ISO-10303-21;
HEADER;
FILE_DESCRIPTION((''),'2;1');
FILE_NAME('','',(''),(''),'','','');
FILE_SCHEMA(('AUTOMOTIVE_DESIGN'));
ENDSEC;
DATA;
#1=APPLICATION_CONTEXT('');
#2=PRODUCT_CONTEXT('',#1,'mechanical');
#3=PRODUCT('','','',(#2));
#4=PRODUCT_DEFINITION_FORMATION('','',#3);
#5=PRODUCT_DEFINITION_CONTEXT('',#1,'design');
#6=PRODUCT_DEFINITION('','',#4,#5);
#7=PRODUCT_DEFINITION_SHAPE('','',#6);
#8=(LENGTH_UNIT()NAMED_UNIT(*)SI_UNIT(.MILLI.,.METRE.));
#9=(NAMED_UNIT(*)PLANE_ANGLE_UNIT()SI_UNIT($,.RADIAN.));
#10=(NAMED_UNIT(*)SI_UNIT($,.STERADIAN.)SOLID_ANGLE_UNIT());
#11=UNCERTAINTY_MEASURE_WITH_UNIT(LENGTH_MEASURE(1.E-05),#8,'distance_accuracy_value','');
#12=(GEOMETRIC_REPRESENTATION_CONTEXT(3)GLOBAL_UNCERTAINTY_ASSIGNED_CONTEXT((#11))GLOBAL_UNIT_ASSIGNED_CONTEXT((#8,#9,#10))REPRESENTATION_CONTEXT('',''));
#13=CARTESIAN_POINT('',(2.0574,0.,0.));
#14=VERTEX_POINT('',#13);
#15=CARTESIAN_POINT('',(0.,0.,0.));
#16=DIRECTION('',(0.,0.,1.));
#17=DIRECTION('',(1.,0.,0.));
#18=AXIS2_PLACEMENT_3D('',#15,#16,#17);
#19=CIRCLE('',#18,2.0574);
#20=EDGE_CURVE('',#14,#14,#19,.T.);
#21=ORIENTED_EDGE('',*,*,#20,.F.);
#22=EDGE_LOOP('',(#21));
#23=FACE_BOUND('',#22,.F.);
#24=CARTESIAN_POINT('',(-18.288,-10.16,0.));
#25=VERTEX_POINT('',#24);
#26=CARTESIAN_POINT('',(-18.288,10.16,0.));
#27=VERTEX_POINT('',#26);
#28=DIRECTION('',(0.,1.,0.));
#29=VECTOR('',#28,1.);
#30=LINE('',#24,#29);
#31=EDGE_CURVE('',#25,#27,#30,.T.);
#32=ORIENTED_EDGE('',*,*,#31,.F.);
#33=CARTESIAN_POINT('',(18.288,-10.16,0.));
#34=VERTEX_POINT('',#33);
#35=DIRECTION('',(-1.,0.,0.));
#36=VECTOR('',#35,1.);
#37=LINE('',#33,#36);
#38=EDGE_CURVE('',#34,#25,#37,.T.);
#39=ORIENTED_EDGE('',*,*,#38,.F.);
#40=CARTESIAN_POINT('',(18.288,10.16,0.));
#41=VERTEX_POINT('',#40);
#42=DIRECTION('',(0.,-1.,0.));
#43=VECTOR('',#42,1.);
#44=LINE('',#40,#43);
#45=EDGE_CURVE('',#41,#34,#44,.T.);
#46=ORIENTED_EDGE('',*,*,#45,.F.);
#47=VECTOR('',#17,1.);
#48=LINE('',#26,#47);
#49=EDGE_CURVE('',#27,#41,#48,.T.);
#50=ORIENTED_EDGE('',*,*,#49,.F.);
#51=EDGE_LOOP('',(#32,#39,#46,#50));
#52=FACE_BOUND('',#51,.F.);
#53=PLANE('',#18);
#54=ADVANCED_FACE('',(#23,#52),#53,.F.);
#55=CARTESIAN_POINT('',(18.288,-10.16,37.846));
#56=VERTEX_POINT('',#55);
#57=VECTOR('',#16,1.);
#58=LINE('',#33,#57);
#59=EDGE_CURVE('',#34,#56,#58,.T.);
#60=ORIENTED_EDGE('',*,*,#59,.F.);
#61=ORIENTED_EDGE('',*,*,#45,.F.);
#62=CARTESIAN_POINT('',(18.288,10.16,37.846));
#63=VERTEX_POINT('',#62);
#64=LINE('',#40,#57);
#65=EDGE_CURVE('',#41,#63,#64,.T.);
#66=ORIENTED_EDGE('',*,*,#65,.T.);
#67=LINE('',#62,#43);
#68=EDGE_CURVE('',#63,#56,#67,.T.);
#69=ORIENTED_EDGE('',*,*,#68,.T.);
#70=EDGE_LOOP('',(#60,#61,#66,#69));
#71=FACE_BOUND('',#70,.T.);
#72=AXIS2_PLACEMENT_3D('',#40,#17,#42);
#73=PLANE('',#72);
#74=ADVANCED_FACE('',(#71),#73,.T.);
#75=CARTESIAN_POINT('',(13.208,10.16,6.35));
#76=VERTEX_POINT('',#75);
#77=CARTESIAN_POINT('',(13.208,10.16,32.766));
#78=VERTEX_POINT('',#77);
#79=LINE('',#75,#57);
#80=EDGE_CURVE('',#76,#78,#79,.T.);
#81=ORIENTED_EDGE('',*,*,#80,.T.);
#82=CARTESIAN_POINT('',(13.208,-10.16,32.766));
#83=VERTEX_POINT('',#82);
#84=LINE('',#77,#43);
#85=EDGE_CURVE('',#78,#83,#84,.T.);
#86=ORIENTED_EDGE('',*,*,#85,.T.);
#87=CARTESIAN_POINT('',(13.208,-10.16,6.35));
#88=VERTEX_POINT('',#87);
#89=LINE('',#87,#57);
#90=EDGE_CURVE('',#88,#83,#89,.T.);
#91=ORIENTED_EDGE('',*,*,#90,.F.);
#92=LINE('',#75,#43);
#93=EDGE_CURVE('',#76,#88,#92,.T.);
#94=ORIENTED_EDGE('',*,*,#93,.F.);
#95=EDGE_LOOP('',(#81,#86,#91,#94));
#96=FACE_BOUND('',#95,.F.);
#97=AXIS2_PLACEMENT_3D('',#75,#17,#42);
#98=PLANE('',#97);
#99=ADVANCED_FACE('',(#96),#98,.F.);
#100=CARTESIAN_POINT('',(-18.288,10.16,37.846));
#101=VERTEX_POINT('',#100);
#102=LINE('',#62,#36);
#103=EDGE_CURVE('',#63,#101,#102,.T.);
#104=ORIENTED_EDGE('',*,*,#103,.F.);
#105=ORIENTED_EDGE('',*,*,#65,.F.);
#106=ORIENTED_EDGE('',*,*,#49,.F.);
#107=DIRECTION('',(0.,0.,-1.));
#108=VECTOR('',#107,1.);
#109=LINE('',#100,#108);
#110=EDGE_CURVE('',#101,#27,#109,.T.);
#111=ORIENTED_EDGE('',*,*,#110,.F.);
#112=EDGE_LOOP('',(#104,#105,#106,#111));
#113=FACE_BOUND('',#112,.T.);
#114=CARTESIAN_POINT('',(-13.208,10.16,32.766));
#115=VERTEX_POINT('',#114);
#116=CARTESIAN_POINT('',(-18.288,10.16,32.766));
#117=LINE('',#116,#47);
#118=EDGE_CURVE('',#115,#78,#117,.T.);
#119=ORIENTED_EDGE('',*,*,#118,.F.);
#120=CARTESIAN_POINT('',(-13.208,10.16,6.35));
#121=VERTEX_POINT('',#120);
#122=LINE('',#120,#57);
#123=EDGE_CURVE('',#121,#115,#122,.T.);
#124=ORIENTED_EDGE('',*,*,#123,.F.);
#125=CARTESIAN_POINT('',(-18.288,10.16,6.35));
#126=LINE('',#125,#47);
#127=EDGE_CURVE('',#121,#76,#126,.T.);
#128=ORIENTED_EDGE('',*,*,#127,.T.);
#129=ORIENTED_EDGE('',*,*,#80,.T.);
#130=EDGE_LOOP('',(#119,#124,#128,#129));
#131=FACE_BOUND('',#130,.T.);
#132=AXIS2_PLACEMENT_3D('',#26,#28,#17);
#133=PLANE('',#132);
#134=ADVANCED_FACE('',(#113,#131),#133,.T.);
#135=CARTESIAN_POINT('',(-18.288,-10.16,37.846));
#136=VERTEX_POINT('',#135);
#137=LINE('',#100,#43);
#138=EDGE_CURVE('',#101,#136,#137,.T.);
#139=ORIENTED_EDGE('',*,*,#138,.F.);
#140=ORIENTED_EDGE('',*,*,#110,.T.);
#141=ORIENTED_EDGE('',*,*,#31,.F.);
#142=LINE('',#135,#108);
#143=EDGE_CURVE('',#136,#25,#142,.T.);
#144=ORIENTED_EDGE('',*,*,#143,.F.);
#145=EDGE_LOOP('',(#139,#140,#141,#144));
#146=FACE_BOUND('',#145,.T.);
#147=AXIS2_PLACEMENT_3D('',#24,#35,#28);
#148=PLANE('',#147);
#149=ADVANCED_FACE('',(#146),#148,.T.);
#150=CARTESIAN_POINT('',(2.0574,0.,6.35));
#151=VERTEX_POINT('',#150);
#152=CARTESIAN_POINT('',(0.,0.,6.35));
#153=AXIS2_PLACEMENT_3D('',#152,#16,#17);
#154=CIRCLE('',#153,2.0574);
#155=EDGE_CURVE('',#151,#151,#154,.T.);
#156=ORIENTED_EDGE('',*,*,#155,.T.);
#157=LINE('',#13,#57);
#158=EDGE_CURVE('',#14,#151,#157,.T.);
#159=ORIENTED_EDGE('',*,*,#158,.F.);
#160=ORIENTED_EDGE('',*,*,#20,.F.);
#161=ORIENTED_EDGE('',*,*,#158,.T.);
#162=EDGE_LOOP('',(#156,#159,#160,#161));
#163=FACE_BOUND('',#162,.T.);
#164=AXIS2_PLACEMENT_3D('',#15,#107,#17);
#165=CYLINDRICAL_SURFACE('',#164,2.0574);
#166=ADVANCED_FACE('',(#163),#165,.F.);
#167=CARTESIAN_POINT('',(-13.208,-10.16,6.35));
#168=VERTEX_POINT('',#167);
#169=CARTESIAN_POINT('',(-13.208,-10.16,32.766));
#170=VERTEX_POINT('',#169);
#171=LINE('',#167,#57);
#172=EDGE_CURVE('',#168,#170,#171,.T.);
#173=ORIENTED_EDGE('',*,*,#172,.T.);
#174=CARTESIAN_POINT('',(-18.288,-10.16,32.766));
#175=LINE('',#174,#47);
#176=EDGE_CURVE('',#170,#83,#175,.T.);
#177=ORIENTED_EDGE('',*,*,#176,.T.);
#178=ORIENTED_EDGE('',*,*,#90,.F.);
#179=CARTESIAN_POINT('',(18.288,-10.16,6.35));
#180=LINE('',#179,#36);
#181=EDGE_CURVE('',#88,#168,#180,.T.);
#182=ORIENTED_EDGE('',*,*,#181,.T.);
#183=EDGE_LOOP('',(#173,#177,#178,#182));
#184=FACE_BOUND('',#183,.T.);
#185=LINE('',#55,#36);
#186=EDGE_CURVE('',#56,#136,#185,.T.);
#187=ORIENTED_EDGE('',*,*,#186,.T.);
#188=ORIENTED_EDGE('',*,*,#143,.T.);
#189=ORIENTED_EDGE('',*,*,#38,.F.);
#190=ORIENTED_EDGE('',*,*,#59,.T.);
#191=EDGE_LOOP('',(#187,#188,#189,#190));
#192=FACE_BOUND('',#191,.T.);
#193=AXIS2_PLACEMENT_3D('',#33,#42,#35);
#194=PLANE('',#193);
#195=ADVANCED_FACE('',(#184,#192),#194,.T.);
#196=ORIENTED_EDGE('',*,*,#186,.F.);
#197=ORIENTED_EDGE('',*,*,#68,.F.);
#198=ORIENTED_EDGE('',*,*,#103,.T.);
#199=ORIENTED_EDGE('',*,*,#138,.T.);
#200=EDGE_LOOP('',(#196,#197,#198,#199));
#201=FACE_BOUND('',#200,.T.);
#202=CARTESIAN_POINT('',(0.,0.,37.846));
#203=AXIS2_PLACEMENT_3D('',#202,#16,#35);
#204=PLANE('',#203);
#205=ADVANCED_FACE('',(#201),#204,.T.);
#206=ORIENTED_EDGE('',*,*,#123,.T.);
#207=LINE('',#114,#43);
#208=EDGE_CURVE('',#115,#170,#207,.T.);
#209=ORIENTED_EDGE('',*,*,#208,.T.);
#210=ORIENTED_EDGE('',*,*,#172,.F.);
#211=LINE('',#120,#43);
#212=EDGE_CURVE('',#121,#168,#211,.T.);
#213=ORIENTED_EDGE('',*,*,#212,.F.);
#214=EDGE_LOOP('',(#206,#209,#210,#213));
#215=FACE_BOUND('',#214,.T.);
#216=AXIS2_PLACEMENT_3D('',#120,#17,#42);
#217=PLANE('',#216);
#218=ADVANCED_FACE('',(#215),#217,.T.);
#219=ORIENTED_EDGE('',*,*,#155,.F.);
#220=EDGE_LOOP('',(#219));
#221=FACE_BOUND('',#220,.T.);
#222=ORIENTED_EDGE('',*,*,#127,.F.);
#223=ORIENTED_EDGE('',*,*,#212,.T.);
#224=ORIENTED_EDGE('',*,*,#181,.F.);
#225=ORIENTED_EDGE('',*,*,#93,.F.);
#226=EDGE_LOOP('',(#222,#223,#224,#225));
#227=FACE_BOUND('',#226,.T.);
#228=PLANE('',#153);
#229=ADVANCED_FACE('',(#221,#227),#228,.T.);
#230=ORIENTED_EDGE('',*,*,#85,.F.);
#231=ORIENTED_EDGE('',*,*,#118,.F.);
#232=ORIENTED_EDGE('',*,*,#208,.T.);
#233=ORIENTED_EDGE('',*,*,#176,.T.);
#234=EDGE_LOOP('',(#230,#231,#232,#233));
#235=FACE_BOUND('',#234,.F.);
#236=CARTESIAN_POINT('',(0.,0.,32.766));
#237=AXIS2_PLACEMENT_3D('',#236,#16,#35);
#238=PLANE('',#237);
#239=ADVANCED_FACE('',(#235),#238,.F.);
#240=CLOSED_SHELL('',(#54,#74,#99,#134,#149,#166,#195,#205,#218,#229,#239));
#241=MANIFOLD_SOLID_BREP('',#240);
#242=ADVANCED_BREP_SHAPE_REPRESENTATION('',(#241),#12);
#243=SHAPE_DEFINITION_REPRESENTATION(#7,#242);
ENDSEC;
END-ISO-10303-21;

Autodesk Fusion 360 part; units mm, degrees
sketch "Sketch1" plane through (0, 0, 0) normal (0, 0, 1) x (1, 0, 0)
  line L0 (18.288, -10.16) -> (-18.288, -10.16)
  line L1 (-18.288, -10.16) -> (-18.288, 10.16)
  line L2 (-18.288, 10.16) -> (18.288, 10.16)
  line L3 (18.288, 10.16) -> (18.288, -10.16)
  line L4 (18.288, -10.16) -> (-18.288, 10.16) construction
  line L5 (-18.288, -10.16) -> (18.288, 10.16) construction
  circle A0 centre (0, 0) radius 2.0574
  dimension "d1" = 36.576
  dimension "d2" = 20.32
  dimension "d3" = 4.1148
extrude "Extrude1" add sketch "Sketch1" along normal blind 6.35
sketch "Sketch2" plane through (0, 0, 6.35) normal (0, 0, 1) x (-1, 0, 0)
  circle A0 centre (0, 0) radius 2.0574
  line L0 (-18.288, -10.16) -> (18.288, -10.16)
  line L1 (18.288, -10.16) -> (18.288, 10.16)
  line L2 (18.288, 10.16) -> (-18.288, 10.16)
  line L3 (-18.288, 10.16) -> (-18.288, -10.16)
  line L4 (18.288, -10.16) -> (13.208, -10.16)
  line L5 (13.208, -10.16) -> (13.208, 10.16)
  line L6 (13.208, 10.16) -> (18.288, 10.16)
  line L7 (18.288, -10.16) -> (18.288, 10.16)
  line L8 (-18.288, -10.16) -> (-13.208, -10.16)
  line L9 (-13.208, -10.16) -> (-13.208, 10.16)
  line L10 (-13.208, 10.16) -> (-18.288, 10.16)
  line L11 (-18.288, -10.16) -> (-18.288, 10.16)
  dimension "d6" = 5.08
  dimension "d7" = 5.08
extrude "Extrude2" add sketch "Sketch2" along normal blind 26.416 contours L0 L2 L3 L8 L9 L10 L11 | L0 L1 L2 L4 L5 L6 L7
sketch "Sketch3" plane through (0, 0, 32.766) normal (0, 0, 1) x (-1, 0, 0)
  line L0 (13.208, -10.16) -> (18.288, -10.16)
  line L1 (18.288, -10.16) -> (18.288, 10.16)
  line L2 (18.288, 10.16) -> (13.208, 10.16)
  line L3 (13.208, 10.16) -> (13.208, -10.16)
  line L4 (18.288, -10.16) -> (-18.288, -10.16)
  line L5 (-18.288, -10.16) -> (-18.288, 10.16)
  line L6 (-18.288, 10.16) -> (18.288, 10.16)
  line L7 (18.288, 10.16) -> (18.288, -10.16)
  point P0 (-18.288, 10.16)
  dimension "d10" = 20.32
  dimension "d11" = 36.576
extrude "Extrude3" add sketch "Sketch3" along normal blind 5.08
